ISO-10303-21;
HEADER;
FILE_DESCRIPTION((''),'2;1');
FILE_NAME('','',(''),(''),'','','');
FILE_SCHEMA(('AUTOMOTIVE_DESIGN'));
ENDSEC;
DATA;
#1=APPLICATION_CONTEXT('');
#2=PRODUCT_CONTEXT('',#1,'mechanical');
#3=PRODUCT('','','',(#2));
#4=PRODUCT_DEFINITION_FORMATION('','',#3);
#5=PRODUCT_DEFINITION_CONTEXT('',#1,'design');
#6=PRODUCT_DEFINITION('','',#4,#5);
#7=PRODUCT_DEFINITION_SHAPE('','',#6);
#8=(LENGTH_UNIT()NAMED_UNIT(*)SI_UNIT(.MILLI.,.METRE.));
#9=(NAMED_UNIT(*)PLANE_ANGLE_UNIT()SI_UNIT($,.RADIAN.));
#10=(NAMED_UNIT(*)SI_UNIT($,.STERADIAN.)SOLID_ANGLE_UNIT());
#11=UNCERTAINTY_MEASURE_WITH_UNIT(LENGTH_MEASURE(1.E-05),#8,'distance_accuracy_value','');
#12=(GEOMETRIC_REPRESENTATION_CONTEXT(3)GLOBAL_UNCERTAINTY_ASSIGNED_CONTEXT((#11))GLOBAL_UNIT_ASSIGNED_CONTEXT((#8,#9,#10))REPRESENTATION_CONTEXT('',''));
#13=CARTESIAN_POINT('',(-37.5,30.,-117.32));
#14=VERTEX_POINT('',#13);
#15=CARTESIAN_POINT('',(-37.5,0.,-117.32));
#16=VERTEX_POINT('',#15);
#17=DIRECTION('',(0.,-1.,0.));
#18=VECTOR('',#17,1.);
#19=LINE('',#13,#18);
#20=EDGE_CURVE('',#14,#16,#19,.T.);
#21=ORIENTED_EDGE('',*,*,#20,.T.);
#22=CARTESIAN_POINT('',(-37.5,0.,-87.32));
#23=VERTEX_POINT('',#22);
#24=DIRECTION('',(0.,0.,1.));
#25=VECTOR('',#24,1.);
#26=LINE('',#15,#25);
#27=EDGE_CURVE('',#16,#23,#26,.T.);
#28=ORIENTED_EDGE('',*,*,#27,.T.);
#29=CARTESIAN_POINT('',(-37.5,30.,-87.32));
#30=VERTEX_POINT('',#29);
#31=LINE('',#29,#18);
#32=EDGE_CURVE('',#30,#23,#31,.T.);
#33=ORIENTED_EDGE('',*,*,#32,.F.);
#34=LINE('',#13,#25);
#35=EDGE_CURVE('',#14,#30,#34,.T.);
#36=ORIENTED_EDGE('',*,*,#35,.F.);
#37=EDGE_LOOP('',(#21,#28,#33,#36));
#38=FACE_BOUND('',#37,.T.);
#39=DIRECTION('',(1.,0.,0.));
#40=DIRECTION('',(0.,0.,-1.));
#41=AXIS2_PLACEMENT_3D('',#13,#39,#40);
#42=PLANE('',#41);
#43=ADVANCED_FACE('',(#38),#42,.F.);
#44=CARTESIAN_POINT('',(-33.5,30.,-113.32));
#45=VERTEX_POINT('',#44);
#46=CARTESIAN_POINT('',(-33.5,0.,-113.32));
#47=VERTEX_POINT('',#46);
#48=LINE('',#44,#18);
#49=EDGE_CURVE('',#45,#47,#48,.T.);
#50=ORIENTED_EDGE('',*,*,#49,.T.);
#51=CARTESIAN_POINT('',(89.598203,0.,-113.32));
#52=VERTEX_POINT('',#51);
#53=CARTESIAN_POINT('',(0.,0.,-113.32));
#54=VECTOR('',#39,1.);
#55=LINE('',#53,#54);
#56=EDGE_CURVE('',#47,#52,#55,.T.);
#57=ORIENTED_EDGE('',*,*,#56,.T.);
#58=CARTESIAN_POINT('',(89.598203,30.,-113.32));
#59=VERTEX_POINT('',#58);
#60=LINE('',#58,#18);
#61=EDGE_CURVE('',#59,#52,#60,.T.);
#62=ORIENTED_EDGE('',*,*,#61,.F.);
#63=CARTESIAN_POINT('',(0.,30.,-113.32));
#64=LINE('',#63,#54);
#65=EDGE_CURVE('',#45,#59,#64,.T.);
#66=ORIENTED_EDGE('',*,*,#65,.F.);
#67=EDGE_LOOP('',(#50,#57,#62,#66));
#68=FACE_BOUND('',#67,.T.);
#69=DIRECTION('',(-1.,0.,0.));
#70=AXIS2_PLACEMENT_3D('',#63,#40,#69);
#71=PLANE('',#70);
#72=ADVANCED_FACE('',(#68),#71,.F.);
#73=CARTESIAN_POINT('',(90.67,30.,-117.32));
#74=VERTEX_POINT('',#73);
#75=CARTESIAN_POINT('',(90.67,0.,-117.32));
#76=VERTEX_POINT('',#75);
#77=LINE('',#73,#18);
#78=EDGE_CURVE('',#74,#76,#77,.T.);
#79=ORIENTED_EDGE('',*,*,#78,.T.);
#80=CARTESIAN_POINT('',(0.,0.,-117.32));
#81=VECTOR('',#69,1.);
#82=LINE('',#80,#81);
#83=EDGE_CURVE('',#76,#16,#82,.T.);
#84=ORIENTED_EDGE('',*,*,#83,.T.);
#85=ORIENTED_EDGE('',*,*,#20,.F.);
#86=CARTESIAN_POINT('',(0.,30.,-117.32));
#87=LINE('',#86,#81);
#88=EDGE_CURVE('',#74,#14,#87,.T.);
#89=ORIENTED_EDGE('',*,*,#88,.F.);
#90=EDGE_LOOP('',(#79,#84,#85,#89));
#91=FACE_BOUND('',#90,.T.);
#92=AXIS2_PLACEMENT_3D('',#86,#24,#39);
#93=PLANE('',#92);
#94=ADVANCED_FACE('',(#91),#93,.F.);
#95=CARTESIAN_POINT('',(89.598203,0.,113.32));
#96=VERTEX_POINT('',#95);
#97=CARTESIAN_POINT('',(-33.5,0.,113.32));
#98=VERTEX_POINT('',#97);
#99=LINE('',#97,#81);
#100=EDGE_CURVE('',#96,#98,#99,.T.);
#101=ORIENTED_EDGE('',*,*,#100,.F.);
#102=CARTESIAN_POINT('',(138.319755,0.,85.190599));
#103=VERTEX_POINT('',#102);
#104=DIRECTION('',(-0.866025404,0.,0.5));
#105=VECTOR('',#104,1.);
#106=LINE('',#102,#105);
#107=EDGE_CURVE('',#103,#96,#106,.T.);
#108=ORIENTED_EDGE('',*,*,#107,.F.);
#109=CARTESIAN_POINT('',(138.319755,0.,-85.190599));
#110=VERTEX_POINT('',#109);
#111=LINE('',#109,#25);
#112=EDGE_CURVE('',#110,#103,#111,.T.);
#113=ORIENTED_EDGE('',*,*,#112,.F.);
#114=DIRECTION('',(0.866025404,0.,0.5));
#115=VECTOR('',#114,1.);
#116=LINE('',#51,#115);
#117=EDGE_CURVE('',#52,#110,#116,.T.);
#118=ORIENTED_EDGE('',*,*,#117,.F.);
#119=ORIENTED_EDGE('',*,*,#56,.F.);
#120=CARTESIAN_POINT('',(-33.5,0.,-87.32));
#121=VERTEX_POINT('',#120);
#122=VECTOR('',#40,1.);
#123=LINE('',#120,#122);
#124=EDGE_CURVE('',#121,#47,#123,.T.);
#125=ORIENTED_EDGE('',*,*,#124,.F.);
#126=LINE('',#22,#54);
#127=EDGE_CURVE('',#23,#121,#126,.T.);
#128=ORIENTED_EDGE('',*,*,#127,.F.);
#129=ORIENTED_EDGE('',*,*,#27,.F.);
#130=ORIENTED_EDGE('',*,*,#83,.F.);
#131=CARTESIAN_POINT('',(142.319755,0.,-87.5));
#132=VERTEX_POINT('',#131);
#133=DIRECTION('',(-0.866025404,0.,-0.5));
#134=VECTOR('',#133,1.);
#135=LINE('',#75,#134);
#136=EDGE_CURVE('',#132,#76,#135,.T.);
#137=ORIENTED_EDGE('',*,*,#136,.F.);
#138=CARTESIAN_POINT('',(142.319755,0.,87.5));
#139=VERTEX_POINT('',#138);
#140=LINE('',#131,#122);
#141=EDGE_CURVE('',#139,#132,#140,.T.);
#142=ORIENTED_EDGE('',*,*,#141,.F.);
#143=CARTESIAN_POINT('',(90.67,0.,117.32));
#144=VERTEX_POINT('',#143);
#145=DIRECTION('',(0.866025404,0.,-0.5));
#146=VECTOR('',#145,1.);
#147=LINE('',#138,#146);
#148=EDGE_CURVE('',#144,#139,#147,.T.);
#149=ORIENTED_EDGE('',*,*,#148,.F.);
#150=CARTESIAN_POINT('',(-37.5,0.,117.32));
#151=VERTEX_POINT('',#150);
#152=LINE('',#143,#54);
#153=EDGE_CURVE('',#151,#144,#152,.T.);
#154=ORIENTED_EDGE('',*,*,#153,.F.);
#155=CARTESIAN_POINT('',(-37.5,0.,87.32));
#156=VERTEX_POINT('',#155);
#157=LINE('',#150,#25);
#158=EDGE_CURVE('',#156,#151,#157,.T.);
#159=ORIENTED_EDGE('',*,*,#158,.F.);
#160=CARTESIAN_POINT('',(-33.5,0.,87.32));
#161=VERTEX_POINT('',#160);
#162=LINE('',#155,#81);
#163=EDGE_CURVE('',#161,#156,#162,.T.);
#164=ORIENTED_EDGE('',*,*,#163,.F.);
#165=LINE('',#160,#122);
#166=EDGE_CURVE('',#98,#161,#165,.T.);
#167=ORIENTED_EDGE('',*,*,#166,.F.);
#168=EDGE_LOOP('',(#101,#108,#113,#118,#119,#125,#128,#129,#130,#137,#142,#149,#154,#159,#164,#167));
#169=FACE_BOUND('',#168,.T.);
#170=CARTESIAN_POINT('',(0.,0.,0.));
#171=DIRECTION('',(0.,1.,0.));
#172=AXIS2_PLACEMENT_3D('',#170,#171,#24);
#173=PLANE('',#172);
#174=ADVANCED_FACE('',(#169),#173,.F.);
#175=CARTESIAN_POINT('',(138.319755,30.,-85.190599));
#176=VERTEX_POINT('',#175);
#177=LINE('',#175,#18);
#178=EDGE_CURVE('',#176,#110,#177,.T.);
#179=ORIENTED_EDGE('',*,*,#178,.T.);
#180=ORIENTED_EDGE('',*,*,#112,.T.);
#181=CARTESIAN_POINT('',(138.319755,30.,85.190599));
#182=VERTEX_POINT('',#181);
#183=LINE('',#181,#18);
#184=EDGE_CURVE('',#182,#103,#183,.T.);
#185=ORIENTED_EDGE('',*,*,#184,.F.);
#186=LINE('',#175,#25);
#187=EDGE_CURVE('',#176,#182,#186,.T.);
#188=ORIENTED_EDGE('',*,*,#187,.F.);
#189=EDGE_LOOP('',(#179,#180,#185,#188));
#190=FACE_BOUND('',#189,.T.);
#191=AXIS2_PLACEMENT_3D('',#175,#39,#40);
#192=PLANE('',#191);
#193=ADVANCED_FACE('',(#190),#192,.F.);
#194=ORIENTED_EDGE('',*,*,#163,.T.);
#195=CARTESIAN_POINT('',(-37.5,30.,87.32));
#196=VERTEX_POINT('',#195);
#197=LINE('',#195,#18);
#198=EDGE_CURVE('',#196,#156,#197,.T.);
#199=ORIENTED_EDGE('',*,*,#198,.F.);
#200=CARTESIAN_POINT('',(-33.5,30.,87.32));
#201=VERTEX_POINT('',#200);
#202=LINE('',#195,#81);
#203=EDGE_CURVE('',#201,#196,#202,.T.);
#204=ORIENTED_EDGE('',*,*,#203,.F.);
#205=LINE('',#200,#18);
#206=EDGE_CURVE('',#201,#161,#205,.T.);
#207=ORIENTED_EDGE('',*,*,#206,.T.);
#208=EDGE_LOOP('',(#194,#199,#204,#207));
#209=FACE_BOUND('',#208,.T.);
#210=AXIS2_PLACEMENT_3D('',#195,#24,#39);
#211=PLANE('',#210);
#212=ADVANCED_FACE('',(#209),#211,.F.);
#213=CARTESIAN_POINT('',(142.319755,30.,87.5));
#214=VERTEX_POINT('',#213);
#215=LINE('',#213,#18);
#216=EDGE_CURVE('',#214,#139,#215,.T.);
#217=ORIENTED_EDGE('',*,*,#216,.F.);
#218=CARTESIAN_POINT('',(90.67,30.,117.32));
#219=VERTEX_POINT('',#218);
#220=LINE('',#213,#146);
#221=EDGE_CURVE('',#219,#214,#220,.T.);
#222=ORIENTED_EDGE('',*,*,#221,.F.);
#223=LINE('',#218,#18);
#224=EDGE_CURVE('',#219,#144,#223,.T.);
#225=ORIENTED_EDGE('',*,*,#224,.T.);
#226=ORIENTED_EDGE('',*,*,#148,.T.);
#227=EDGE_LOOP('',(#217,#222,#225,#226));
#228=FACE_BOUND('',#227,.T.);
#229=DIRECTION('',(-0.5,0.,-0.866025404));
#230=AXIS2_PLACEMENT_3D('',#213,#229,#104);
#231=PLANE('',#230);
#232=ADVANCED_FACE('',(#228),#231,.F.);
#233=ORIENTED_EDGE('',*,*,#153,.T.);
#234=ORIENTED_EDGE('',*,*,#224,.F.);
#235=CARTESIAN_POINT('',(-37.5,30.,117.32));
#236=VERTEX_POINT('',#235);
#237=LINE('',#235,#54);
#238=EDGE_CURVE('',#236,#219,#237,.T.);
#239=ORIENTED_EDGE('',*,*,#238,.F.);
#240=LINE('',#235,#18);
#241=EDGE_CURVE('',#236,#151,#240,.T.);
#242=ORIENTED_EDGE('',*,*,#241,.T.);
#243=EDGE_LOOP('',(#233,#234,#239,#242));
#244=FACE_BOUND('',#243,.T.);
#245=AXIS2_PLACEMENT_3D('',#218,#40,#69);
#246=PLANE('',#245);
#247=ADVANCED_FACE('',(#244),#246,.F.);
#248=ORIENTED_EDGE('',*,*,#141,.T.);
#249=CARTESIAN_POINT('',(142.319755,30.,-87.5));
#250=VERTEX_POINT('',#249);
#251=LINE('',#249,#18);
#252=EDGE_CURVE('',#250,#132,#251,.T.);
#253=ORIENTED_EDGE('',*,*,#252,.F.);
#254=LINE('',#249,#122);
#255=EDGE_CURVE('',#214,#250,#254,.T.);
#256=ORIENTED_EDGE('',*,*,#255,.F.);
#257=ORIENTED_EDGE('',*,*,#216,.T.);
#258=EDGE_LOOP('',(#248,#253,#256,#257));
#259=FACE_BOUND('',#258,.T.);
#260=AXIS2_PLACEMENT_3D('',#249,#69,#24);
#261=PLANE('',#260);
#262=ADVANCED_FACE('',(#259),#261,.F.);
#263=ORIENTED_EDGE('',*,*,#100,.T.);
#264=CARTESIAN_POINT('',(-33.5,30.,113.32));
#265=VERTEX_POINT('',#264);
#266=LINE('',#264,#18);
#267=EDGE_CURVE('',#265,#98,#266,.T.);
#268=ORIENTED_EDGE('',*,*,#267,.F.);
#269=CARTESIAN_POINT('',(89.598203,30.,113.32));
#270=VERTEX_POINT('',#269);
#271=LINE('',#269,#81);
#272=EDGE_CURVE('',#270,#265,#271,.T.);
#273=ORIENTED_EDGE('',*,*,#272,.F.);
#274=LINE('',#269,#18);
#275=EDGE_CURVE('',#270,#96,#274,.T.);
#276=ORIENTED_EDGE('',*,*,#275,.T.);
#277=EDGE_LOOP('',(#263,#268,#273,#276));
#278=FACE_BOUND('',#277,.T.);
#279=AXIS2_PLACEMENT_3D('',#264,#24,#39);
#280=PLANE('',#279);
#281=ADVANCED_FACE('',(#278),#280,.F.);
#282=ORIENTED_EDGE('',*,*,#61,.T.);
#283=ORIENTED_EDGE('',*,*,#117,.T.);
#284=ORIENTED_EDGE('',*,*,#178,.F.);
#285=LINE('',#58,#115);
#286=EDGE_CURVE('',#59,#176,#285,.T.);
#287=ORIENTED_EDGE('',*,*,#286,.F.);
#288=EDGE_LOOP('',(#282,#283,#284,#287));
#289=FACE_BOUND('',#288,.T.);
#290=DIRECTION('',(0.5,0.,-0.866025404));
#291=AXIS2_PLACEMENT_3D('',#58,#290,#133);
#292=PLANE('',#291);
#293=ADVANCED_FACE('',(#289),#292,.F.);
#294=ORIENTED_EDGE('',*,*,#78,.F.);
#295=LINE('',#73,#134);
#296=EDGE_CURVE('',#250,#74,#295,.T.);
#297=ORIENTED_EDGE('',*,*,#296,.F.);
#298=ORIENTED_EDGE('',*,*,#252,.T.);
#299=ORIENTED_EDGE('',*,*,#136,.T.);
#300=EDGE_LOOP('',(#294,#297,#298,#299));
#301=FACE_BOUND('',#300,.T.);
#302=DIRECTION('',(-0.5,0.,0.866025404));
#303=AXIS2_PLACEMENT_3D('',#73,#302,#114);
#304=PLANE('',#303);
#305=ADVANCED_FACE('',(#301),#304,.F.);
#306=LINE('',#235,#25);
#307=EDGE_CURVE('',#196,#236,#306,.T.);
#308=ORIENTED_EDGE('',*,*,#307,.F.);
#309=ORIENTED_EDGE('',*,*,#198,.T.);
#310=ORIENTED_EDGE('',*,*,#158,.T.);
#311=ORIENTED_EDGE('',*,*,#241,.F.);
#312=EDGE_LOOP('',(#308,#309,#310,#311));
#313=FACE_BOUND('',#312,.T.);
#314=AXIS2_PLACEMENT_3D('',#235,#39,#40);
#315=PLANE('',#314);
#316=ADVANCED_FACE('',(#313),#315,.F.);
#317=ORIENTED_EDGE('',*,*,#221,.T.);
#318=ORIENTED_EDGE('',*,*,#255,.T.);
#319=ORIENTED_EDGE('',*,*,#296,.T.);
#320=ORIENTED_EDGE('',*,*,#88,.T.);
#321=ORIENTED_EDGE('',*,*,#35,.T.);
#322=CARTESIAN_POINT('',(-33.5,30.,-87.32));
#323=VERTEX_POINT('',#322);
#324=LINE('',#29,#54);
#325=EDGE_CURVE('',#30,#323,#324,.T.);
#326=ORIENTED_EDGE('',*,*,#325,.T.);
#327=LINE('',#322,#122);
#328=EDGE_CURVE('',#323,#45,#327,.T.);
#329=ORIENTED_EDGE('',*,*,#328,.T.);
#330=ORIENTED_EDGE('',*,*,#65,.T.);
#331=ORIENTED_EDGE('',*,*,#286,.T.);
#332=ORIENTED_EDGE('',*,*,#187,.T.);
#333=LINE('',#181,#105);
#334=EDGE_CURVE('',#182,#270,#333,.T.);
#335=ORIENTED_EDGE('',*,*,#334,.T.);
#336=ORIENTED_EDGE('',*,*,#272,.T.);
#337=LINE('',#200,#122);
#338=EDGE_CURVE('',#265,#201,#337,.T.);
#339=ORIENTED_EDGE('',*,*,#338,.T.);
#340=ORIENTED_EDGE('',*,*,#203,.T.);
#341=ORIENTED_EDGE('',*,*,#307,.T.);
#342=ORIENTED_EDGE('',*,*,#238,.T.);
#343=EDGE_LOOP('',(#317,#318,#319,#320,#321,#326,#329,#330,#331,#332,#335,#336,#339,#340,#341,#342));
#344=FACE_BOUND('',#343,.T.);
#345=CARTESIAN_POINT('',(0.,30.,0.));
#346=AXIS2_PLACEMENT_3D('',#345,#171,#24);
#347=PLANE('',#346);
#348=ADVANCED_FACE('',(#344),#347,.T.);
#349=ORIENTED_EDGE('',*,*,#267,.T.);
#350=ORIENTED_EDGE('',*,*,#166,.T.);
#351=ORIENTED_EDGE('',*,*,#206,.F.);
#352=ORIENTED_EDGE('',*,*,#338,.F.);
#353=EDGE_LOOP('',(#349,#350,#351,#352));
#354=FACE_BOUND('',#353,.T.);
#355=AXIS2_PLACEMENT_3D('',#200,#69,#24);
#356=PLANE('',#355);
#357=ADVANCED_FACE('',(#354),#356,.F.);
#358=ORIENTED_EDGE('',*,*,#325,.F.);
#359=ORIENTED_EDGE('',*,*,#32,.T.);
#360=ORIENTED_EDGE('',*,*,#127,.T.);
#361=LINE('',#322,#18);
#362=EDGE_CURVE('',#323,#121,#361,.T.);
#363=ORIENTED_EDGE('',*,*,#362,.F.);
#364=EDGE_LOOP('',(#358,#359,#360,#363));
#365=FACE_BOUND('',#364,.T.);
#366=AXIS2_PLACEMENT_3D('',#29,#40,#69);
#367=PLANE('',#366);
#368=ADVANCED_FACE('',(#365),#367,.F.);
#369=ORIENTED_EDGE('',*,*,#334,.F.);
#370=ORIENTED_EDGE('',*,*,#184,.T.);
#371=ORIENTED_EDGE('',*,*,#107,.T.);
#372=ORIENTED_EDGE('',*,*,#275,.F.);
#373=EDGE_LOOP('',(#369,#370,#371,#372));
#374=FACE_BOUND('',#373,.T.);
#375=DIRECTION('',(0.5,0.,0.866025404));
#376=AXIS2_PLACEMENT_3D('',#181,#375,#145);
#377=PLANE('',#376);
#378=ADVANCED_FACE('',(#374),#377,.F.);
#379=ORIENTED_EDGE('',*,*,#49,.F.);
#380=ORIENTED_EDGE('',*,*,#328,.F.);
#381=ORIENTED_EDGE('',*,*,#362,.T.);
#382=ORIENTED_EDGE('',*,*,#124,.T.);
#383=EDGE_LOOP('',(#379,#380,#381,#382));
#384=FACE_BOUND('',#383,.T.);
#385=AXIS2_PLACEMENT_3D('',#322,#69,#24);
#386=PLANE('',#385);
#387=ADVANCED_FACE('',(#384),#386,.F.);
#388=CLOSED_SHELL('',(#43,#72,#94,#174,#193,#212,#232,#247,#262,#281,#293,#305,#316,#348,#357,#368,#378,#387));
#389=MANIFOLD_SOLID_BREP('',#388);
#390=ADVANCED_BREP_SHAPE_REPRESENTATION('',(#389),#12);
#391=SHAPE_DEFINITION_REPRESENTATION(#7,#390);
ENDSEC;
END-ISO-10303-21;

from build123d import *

# Parameters (mm, degrees)
BOSS_EXTRUDE1_DEPTH = 30


with BuildPart() as part:
    # Sketch6 → Boss-Extrude1 (new body)
    with BuildSketch(Plane(origin=(0, 0, 0), x_dir=(1, 0, 0), z_dir=(0, 1, 0))):
        Polygon((0, 117.32), (90.67, 117.32), (142.319755082, 87.5), (142.319755082, -87.5), (90.67, -117.32), (0, -117.32), (-37.5, -117.32), (-37.5, -87.32), (-33.5, -87.32), (-33.5, -113.32), (0, -113.32), (89.59820323, -113.32), (138.319755082, -85.190598923), (138.319755082, 85.190598923), (89.59820323, 113.32), (0, 113.32), (-33.5, 113.32), (-33.5, 87.32), (-37.5, 87.32), (-37.5, 117.32), align=None)
    extrude(amount=BOSS_EXTRUDE1_DEPTH)


solid = part.part
